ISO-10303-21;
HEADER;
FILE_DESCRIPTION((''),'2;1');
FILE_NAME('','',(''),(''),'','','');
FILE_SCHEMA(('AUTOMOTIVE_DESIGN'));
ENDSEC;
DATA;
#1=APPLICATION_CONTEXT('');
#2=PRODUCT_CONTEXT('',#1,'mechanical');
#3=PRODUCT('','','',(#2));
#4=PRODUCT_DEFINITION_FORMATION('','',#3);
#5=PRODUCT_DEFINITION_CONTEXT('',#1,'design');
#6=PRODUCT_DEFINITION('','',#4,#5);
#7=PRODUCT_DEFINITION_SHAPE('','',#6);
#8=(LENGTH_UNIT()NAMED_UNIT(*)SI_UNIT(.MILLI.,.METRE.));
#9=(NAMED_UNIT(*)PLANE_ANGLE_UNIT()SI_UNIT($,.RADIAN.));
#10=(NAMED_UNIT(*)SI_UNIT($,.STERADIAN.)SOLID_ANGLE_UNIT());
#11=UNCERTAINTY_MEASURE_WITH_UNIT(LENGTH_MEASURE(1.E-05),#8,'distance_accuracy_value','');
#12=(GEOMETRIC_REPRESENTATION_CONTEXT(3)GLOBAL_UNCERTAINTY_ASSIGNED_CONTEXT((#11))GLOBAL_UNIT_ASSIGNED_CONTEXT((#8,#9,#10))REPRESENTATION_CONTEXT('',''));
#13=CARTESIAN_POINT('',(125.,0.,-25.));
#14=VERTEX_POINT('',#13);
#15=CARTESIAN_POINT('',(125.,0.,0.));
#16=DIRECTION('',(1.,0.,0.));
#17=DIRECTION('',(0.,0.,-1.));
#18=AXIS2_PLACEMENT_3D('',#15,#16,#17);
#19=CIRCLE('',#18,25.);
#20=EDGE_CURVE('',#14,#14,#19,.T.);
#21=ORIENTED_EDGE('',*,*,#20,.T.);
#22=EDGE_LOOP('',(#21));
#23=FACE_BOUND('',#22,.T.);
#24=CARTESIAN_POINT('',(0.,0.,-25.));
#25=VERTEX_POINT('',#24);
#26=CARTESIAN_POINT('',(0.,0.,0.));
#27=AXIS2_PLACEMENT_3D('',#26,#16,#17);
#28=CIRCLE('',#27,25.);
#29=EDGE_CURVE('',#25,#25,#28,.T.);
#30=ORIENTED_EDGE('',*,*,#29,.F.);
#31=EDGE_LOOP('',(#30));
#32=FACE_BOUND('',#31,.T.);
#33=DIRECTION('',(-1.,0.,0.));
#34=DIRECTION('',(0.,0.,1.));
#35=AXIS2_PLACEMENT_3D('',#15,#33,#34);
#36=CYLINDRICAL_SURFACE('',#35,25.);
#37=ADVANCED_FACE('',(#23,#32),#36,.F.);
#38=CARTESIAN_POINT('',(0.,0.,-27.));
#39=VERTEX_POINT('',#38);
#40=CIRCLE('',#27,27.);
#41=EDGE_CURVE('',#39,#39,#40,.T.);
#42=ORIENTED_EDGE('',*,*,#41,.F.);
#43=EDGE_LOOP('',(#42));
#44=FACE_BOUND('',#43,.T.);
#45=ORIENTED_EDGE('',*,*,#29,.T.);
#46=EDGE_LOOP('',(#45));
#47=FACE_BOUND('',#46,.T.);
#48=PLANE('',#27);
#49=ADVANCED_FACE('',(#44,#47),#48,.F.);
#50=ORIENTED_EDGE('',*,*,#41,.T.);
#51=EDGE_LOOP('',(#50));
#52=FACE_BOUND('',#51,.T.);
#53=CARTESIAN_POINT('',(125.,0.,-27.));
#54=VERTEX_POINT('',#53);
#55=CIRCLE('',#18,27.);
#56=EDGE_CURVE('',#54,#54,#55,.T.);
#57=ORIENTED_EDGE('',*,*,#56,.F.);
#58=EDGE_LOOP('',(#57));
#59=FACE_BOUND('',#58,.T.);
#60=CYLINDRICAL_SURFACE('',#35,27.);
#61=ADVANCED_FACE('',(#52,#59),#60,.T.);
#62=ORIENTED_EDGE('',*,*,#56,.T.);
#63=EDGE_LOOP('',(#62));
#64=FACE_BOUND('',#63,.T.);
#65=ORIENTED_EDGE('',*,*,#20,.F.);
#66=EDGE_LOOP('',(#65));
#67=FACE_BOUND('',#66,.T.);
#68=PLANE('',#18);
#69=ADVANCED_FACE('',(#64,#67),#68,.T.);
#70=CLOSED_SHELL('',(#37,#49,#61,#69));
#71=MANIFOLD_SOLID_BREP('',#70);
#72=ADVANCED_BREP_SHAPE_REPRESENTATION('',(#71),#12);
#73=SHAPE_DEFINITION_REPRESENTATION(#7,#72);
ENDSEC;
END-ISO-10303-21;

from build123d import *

# Parameters (mm, degrees)
SKETCH1_R           = 27
SKETCH1_R_2         = 25
BOSS_EXTRUDE1_DEPTH = 125


with BuildPart() as part:
    # Sketch1 → Boss-Extrude1 (new body)
    with BuildSketch(Plane(origin=(0, 0, 0), x_dir=(0, 0, -1), z_dir=(1, 0, 0))):
        Circle(SKETCH1_R)
        Circle(SKETCH1_R_2, mode=Mode.SUBTRACT)
    extrude(amount=BOSS_EXTRUDE1_DEPTH)


solid = part.part
